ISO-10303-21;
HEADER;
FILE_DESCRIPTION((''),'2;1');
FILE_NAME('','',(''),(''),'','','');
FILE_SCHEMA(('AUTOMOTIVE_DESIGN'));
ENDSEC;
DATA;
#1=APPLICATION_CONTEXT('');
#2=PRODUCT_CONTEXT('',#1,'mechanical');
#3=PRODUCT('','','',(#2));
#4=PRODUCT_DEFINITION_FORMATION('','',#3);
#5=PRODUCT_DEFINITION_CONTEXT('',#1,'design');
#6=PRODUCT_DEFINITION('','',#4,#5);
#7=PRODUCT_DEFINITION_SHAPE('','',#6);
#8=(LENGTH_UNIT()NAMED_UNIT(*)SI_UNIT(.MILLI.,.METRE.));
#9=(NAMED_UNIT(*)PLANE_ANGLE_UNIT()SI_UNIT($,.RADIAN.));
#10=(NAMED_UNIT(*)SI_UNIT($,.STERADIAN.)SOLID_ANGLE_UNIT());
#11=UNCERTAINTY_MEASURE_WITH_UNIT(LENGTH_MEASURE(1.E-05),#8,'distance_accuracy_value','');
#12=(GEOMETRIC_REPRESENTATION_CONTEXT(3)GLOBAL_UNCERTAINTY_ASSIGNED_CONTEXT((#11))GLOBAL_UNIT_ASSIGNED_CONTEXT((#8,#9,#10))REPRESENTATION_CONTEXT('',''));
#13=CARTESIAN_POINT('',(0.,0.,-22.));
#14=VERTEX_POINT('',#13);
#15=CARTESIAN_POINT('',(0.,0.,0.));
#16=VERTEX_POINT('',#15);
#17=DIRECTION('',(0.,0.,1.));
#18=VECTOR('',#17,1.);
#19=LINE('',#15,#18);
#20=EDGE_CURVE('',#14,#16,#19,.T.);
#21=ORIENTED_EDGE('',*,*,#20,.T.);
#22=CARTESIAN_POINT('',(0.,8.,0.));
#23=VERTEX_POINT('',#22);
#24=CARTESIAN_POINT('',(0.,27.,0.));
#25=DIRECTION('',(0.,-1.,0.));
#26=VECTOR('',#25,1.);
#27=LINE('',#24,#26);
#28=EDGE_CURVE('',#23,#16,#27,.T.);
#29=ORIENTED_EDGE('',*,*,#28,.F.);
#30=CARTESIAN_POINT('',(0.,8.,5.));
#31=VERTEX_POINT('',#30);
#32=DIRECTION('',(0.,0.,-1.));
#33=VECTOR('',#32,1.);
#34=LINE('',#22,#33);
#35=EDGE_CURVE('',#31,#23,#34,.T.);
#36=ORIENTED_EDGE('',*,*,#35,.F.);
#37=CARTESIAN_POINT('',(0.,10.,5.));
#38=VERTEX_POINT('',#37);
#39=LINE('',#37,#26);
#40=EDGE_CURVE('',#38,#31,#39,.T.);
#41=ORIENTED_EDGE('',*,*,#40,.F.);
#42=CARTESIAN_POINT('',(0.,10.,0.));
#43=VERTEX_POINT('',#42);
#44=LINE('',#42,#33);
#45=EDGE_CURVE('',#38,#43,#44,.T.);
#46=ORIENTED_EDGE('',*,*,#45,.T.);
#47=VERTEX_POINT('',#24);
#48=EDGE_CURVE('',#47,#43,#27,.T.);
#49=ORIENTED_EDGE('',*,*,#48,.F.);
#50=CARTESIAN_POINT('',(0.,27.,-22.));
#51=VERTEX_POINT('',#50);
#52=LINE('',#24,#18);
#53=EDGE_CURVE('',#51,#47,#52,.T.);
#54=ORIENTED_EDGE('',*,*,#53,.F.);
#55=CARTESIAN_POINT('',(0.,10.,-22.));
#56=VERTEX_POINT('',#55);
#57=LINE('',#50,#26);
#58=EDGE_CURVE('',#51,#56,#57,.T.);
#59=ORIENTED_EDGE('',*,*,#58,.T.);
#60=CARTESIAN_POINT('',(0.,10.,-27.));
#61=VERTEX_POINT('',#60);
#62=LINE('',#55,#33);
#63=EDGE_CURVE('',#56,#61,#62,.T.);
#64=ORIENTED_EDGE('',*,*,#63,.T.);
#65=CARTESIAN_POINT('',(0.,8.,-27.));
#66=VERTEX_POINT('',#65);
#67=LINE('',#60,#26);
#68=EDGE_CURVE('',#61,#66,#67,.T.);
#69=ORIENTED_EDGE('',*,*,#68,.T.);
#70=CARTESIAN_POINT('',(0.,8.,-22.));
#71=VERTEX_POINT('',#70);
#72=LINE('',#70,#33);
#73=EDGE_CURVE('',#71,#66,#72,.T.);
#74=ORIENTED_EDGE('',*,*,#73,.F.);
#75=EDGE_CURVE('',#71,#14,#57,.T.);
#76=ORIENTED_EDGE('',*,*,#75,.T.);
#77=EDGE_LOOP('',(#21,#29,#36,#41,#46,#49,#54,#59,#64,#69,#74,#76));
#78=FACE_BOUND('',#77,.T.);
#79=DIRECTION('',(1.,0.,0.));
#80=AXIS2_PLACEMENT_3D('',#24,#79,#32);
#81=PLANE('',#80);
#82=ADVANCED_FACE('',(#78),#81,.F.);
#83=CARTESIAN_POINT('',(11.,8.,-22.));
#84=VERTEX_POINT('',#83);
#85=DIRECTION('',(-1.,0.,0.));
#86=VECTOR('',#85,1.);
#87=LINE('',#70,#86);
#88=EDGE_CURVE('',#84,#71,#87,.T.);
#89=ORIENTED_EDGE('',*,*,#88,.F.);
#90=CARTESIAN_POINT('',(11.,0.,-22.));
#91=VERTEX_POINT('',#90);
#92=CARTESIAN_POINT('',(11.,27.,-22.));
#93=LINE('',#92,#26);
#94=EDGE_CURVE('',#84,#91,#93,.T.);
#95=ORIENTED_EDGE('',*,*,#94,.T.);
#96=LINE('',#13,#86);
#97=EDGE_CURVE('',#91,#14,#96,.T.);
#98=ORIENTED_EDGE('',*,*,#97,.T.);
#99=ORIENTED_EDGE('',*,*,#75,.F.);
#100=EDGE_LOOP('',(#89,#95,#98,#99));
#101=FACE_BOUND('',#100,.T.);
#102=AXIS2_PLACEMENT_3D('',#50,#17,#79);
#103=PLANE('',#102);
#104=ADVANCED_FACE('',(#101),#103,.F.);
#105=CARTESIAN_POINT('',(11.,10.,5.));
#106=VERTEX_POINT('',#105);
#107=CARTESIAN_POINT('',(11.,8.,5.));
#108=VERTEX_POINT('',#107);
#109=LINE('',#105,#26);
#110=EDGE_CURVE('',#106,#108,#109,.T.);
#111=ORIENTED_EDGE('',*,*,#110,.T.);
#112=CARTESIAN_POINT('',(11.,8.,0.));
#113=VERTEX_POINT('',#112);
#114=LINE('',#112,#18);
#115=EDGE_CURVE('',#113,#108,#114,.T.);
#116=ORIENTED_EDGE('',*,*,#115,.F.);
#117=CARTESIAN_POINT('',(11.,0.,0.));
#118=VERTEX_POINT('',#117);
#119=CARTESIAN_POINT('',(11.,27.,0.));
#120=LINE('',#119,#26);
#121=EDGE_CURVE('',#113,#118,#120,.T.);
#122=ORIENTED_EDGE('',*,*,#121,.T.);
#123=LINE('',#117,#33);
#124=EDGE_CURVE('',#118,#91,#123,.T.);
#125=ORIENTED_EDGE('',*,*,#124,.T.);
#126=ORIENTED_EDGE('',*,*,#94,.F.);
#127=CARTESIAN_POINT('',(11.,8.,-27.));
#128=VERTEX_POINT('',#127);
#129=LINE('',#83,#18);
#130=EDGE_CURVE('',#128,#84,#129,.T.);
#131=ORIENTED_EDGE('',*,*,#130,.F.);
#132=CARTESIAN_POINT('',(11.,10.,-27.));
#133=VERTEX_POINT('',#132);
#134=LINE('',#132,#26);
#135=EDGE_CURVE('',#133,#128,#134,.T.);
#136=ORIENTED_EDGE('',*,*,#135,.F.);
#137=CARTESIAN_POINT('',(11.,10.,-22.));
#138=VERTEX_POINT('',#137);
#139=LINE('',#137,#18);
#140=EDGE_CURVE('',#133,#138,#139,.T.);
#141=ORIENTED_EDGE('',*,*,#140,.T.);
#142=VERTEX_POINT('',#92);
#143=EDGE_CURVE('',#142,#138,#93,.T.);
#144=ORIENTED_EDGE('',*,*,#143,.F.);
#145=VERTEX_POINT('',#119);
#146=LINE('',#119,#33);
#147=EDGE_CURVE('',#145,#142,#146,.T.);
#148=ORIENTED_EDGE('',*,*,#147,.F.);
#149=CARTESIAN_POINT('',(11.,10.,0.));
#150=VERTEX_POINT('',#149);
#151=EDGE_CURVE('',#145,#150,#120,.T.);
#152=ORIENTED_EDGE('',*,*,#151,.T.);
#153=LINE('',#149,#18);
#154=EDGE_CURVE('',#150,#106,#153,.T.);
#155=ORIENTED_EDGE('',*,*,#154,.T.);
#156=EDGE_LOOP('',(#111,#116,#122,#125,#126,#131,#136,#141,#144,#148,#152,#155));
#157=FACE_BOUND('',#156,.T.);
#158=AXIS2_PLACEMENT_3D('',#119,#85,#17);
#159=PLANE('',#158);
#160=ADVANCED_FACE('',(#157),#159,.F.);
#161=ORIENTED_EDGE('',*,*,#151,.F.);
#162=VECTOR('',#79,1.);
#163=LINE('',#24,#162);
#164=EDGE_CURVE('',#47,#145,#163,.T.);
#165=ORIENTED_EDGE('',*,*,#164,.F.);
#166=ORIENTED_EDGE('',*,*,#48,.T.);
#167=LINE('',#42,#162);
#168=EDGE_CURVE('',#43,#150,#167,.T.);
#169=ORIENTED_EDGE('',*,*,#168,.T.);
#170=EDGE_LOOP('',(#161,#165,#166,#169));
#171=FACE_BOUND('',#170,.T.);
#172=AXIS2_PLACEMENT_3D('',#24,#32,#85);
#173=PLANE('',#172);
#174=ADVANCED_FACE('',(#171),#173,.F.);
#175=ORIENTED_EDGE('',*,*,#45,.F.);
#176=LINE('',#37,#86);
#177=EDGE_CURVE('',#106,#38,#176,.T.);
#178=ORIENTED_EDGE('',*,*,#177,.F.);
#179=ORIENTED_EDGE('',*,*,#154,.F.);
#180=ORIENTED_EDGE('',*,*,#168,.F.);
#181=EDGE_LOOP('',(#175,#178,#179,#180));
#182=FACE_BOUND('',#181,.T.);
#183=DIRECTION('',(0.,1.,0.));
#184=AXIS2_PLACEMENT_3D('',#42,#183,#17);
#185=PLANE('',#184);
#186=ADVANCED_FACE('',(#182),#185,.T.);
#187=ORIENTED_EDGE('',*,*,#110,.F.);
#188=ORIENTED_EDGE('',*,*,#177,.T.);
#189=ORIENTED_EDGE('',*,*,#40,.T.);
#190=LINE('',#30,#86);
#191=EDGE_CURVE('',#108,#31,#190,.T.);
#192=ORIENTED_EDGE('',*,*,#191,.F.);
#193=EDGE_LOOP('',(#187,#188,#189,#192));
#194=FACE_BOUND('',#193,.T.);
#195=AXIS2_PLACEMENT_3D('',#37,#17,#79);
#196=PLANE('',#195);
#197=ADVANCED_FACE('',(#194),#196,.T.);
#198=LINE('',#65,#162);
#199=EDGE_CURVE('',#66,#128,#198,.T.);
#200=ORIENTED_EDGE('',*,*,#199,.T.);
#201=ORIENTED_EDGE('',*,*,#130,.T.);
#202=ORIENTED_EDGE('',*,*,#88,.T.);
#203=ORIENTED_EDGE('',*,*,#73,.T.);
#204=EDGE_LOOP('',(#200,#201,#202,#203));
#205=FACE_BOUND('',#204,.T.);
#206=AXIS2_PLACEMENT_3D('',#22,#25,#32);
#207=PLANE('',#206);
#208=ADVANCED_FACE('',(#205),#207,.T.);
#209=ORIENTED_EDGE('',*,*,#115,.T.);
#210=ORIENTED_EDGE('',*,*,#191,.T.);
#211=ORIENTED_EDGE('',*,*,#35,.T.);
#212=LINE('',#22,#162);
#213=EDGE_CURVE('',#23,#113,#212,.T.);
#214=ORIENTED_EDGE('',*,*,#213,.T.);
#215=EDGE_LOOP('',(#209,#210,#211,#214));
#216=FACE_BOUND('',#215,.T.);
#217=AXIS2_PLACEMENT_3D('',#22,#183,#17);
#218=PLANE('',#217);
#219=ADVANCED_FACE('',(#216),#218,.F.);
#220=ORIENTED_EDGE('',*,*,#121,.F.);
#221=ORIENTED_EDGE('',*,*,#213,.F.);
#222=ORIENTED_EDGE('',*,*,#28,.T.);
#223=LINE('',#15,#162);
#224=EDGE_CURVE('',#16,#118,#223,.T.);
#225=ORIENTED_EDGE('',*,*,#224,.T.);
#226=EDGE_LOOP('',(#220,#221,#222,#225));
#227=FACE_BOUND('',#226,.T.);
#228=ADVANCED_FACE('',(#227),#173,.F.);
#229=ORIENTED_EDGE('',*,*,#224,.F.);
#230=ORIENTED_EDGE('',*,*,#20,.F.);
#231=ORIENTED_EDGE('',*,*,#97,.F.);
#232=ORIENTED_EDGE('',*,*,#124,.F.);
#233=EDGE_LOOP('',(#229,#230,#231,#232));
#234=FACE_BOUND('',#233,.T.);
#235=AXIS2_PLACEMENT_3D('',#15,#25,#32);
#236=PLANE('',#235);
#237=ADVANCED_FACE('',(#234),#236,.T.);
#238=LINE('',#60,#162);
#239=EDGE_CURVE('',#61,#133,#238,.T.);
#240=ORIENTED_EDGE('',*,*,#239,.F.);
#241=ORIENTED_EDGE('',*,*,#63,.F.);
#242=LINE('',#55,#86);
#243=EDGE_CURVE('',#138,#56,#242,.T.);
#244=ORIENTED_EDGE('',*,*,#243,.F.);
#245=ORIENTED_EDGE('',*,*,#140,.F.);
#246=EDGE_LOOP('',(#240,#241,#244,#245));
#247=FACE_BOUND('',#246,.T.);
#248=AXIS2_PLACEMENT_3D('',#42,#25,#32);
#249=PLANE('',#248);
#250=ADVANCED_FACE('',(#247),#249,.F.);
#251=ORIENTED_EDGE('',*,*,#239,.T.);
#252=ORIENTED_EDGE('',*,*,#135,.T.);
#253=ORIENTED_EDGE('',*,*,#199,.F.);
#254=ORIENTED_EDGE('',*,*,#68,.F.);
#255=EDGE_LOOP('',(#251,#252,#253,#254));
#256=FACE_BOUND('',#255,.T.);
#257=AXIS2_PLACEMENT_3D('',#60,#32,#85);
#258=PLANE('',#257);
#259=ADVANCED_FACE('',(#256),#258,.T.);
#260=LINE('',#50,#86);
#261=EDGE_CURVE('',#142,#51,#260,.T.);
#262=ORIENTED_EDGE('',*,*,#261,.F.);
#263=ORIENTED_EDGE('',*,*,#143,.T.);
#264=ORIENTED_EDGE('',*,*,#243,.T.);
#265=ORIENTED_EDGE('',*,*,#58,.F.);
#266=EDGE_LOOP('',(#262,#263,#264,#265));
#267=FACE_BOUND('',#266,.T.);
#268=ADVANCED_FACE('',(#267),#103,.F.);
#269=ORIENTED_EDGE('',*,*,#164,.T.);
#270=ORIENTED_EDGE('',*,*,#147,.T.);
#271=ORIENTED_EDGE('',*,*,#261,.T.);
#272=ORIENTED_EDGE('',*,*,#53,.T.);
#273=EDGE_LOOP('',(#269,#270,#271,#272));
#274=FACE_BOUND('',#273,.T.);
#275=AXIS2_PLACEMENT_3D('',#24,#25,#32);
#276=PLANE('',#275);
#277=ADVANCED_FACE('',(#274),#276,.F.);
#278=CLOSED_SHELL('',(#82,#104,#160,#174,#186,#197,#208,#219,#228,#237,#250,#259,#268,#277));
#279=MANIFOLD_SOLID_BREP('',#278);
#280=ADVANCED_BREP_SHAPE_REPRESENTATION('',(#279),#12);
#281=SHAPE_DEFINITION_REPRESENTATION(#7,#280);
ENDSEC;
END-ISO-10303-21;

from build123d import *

# Parameters (mm, degrees)
SKETCH1_W           = 11
SKETCH1_H           = 22
BOSS_EXTRUDE1_DEPTH = 27
BOSS_EXTRUDE2_START = -8
SKETCH2_W           = 11
SKETCH2_H           = 5
BOSS_EXTRUDE2_DEPTH = 2


with BuildPart() as part:
    # Sketch1 → Boss-Extrude1 (new body)
    with BuildSketch(Plane(origin=(0, 0, 0), x_dir=(1, 0, 0), z_dir=(0, 1, 0))):
        with Locations((5.5, 11)):
            Rectangle(SKETCH1_W, SKETCH1_H)
    extrude(amount=BOSS_EXTRUDE1_DEPTH)

    # Sketch2 → Boss-Extrude2 (add)
    with BuildSketch(Plane.XZ.offset(BOSS_EXTRUDE2_START)):
        with Locations((5.5, 2.5)):
            Rectangle(SKETCH2_W, SKETCH2_H)
        with Locations((5.5, -24.5)):
            Rectangle(SKETCH2_W, SKETCH2_H)
    extrude(amount=-BOSS_EXTRUDE2_DEPTH)


solid = part.part
